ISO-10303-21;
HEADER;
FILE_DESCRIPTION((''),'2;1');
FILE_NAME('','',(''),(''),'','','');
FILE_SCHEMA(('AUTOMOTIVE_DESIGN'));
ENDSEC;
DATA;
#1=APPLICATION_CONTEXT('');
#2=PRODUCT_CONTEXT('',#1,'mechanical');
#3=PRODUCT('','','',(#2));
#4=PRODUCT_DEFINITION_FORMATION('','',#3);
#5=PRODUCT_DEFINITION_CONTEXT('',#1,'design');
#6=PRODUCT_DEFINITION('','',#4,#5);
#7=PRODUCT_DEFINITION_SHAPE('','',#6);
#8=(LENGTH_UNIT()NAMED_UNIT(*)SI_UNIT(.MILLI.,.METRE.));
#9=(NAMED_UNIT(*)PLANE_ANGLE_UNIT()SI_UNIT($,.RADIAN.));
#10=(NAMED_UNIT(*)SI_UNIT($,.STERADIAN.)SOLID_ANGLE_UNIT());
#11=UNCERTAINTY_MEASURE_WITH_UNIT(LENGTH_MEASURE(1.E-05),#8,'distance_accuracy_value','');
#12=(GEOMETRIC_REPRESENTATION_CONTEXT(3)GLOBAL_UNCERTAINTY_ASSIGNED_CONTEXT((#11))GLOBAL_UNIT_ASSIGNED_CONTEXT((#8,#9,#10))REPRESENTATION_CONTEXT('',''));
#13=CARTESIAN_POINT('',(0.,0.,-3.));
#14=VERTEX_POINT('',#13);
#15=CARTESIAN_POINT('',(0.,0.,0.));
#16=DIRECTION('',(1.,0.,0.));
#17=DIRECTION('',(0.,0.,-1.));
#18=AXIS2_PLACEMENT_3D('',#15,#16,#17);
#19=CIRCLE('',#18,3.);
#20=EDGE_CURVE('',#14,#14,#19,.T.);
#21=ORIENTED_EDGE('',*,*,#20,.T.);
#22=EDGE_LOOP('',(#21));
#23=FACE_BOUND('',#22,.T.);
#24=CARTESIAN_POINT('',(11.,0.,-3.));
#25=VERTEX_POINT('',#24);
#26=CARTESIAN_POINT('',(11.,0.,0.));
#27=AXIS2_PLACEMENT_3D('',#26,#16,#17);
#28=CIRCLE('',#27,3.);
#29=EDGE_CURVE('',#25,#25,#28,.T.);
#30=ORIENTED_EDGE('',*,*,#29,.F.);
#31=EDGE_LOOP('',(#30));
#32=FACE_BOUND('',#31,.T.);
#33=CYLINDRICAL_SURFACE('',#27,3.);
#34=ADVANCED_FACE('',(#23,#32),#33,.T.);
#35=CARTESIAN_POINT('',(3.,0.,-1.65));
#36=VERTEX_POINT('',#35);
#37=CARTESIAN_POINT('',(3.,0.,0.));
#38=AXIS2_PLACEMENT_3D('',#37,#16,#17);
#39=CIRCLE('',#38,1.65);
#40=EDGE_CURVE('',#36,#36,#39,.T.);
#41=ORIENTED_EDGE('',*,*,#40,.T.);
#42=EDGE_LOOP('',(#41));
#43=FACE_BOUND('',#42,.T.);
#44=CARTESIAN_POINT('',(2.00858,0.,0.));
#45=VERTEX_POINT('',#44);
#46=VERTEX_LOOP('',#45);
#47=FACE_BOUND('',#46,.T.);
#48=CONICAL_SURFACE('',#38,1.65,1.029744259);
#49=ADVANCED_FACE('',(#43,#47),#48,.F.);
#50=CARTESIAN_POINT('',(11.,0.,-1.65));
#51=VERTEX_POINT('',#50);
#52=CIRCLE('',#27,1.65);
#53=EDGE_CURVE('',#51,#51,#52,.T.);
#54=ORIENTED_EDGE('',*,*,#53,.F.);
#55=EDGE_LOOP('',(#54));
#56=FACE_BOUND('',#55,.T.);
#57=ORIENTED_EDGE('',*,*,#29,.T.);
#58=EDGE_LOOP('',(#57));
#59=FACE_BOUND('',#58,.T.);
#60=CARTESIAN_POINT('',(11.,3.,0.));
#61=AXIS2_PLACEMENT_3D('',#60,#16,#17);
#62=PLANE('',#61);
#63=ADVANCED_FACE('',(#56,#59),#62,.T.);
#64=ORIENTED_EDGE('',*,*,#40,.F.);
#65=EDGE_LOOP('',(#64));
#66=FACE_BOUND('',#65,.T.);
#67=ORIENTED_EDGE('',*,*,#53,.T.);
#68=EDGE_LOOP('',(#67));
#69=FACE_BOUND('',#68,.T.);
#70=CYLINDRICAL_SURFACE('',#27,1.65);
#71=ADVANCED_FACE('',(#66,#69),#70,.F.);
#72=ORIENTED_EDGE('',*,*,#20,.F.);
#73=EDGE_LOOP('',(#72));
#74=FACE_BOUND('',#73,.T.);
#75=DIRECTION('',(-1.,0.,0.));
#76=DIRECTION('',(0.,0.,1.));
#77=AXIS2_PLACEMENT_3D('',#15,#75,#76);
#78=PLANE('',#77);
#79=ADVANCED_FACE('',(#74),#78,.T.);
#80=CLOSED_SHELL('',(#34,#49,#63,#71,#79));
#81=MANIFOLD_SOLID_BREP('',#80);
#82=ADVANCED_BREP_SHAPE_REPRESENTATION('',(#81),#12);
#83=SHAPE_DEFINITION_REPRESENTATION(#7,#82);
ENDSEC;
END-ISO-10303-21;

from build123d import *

# Parameters (mm, degrees)
ESBO_O1_W                 = 11
ESBO_O1_H                 = 3
FURO_ROSCADO_DE_M41_D     = 3.3
FURO_ROSCADO_DE_M41_DEPTH = 8
FURO_ROSCADO_DE_M41_TIP   = 0.991420021


with BuildPart() as part:
    # Esboço1 → Revolução1 (revolve)
    with BuildSketch(Plane.XY, mode=Mode.PRIVATE) as revolu_o1_sk:
        with Locations((5.5, 1.5)):
            Rectangle(ESBO_O1_W, ESBO_O1_H)
    revolve(revolu_o1_sk.sketch.rotate(Axis((11, 0, 0), (-1, 0, 0)), 90), axis=Axis((11, 0, 0), (-1, 0, 0)))

    # Furo roscado de M41
    with Locations(Plane(origin=(11, 0, 0), x_dir=(0, 0, -1), z_dir=(1, 0, 0))):
        with Locations((0, 0)):
            Hole(FURO_ROSCADO_DE_M41_D / 2, depth=FURO_ROSCADO_DE_M41_DEPTH)
            with Locations((0, 0, -(FURO_ROSCADO_DE_M41_DEPTH + FURO_ROSCADO_DE_M41_TIP / 2))):  # 118° drill point
                Cone(0, FURO_ROSCADO_DE_M41_D / 2, FURO_ROSCADO_DE_M41_TIP, mode=Mode.SUBTRACT)


solid = part.part
